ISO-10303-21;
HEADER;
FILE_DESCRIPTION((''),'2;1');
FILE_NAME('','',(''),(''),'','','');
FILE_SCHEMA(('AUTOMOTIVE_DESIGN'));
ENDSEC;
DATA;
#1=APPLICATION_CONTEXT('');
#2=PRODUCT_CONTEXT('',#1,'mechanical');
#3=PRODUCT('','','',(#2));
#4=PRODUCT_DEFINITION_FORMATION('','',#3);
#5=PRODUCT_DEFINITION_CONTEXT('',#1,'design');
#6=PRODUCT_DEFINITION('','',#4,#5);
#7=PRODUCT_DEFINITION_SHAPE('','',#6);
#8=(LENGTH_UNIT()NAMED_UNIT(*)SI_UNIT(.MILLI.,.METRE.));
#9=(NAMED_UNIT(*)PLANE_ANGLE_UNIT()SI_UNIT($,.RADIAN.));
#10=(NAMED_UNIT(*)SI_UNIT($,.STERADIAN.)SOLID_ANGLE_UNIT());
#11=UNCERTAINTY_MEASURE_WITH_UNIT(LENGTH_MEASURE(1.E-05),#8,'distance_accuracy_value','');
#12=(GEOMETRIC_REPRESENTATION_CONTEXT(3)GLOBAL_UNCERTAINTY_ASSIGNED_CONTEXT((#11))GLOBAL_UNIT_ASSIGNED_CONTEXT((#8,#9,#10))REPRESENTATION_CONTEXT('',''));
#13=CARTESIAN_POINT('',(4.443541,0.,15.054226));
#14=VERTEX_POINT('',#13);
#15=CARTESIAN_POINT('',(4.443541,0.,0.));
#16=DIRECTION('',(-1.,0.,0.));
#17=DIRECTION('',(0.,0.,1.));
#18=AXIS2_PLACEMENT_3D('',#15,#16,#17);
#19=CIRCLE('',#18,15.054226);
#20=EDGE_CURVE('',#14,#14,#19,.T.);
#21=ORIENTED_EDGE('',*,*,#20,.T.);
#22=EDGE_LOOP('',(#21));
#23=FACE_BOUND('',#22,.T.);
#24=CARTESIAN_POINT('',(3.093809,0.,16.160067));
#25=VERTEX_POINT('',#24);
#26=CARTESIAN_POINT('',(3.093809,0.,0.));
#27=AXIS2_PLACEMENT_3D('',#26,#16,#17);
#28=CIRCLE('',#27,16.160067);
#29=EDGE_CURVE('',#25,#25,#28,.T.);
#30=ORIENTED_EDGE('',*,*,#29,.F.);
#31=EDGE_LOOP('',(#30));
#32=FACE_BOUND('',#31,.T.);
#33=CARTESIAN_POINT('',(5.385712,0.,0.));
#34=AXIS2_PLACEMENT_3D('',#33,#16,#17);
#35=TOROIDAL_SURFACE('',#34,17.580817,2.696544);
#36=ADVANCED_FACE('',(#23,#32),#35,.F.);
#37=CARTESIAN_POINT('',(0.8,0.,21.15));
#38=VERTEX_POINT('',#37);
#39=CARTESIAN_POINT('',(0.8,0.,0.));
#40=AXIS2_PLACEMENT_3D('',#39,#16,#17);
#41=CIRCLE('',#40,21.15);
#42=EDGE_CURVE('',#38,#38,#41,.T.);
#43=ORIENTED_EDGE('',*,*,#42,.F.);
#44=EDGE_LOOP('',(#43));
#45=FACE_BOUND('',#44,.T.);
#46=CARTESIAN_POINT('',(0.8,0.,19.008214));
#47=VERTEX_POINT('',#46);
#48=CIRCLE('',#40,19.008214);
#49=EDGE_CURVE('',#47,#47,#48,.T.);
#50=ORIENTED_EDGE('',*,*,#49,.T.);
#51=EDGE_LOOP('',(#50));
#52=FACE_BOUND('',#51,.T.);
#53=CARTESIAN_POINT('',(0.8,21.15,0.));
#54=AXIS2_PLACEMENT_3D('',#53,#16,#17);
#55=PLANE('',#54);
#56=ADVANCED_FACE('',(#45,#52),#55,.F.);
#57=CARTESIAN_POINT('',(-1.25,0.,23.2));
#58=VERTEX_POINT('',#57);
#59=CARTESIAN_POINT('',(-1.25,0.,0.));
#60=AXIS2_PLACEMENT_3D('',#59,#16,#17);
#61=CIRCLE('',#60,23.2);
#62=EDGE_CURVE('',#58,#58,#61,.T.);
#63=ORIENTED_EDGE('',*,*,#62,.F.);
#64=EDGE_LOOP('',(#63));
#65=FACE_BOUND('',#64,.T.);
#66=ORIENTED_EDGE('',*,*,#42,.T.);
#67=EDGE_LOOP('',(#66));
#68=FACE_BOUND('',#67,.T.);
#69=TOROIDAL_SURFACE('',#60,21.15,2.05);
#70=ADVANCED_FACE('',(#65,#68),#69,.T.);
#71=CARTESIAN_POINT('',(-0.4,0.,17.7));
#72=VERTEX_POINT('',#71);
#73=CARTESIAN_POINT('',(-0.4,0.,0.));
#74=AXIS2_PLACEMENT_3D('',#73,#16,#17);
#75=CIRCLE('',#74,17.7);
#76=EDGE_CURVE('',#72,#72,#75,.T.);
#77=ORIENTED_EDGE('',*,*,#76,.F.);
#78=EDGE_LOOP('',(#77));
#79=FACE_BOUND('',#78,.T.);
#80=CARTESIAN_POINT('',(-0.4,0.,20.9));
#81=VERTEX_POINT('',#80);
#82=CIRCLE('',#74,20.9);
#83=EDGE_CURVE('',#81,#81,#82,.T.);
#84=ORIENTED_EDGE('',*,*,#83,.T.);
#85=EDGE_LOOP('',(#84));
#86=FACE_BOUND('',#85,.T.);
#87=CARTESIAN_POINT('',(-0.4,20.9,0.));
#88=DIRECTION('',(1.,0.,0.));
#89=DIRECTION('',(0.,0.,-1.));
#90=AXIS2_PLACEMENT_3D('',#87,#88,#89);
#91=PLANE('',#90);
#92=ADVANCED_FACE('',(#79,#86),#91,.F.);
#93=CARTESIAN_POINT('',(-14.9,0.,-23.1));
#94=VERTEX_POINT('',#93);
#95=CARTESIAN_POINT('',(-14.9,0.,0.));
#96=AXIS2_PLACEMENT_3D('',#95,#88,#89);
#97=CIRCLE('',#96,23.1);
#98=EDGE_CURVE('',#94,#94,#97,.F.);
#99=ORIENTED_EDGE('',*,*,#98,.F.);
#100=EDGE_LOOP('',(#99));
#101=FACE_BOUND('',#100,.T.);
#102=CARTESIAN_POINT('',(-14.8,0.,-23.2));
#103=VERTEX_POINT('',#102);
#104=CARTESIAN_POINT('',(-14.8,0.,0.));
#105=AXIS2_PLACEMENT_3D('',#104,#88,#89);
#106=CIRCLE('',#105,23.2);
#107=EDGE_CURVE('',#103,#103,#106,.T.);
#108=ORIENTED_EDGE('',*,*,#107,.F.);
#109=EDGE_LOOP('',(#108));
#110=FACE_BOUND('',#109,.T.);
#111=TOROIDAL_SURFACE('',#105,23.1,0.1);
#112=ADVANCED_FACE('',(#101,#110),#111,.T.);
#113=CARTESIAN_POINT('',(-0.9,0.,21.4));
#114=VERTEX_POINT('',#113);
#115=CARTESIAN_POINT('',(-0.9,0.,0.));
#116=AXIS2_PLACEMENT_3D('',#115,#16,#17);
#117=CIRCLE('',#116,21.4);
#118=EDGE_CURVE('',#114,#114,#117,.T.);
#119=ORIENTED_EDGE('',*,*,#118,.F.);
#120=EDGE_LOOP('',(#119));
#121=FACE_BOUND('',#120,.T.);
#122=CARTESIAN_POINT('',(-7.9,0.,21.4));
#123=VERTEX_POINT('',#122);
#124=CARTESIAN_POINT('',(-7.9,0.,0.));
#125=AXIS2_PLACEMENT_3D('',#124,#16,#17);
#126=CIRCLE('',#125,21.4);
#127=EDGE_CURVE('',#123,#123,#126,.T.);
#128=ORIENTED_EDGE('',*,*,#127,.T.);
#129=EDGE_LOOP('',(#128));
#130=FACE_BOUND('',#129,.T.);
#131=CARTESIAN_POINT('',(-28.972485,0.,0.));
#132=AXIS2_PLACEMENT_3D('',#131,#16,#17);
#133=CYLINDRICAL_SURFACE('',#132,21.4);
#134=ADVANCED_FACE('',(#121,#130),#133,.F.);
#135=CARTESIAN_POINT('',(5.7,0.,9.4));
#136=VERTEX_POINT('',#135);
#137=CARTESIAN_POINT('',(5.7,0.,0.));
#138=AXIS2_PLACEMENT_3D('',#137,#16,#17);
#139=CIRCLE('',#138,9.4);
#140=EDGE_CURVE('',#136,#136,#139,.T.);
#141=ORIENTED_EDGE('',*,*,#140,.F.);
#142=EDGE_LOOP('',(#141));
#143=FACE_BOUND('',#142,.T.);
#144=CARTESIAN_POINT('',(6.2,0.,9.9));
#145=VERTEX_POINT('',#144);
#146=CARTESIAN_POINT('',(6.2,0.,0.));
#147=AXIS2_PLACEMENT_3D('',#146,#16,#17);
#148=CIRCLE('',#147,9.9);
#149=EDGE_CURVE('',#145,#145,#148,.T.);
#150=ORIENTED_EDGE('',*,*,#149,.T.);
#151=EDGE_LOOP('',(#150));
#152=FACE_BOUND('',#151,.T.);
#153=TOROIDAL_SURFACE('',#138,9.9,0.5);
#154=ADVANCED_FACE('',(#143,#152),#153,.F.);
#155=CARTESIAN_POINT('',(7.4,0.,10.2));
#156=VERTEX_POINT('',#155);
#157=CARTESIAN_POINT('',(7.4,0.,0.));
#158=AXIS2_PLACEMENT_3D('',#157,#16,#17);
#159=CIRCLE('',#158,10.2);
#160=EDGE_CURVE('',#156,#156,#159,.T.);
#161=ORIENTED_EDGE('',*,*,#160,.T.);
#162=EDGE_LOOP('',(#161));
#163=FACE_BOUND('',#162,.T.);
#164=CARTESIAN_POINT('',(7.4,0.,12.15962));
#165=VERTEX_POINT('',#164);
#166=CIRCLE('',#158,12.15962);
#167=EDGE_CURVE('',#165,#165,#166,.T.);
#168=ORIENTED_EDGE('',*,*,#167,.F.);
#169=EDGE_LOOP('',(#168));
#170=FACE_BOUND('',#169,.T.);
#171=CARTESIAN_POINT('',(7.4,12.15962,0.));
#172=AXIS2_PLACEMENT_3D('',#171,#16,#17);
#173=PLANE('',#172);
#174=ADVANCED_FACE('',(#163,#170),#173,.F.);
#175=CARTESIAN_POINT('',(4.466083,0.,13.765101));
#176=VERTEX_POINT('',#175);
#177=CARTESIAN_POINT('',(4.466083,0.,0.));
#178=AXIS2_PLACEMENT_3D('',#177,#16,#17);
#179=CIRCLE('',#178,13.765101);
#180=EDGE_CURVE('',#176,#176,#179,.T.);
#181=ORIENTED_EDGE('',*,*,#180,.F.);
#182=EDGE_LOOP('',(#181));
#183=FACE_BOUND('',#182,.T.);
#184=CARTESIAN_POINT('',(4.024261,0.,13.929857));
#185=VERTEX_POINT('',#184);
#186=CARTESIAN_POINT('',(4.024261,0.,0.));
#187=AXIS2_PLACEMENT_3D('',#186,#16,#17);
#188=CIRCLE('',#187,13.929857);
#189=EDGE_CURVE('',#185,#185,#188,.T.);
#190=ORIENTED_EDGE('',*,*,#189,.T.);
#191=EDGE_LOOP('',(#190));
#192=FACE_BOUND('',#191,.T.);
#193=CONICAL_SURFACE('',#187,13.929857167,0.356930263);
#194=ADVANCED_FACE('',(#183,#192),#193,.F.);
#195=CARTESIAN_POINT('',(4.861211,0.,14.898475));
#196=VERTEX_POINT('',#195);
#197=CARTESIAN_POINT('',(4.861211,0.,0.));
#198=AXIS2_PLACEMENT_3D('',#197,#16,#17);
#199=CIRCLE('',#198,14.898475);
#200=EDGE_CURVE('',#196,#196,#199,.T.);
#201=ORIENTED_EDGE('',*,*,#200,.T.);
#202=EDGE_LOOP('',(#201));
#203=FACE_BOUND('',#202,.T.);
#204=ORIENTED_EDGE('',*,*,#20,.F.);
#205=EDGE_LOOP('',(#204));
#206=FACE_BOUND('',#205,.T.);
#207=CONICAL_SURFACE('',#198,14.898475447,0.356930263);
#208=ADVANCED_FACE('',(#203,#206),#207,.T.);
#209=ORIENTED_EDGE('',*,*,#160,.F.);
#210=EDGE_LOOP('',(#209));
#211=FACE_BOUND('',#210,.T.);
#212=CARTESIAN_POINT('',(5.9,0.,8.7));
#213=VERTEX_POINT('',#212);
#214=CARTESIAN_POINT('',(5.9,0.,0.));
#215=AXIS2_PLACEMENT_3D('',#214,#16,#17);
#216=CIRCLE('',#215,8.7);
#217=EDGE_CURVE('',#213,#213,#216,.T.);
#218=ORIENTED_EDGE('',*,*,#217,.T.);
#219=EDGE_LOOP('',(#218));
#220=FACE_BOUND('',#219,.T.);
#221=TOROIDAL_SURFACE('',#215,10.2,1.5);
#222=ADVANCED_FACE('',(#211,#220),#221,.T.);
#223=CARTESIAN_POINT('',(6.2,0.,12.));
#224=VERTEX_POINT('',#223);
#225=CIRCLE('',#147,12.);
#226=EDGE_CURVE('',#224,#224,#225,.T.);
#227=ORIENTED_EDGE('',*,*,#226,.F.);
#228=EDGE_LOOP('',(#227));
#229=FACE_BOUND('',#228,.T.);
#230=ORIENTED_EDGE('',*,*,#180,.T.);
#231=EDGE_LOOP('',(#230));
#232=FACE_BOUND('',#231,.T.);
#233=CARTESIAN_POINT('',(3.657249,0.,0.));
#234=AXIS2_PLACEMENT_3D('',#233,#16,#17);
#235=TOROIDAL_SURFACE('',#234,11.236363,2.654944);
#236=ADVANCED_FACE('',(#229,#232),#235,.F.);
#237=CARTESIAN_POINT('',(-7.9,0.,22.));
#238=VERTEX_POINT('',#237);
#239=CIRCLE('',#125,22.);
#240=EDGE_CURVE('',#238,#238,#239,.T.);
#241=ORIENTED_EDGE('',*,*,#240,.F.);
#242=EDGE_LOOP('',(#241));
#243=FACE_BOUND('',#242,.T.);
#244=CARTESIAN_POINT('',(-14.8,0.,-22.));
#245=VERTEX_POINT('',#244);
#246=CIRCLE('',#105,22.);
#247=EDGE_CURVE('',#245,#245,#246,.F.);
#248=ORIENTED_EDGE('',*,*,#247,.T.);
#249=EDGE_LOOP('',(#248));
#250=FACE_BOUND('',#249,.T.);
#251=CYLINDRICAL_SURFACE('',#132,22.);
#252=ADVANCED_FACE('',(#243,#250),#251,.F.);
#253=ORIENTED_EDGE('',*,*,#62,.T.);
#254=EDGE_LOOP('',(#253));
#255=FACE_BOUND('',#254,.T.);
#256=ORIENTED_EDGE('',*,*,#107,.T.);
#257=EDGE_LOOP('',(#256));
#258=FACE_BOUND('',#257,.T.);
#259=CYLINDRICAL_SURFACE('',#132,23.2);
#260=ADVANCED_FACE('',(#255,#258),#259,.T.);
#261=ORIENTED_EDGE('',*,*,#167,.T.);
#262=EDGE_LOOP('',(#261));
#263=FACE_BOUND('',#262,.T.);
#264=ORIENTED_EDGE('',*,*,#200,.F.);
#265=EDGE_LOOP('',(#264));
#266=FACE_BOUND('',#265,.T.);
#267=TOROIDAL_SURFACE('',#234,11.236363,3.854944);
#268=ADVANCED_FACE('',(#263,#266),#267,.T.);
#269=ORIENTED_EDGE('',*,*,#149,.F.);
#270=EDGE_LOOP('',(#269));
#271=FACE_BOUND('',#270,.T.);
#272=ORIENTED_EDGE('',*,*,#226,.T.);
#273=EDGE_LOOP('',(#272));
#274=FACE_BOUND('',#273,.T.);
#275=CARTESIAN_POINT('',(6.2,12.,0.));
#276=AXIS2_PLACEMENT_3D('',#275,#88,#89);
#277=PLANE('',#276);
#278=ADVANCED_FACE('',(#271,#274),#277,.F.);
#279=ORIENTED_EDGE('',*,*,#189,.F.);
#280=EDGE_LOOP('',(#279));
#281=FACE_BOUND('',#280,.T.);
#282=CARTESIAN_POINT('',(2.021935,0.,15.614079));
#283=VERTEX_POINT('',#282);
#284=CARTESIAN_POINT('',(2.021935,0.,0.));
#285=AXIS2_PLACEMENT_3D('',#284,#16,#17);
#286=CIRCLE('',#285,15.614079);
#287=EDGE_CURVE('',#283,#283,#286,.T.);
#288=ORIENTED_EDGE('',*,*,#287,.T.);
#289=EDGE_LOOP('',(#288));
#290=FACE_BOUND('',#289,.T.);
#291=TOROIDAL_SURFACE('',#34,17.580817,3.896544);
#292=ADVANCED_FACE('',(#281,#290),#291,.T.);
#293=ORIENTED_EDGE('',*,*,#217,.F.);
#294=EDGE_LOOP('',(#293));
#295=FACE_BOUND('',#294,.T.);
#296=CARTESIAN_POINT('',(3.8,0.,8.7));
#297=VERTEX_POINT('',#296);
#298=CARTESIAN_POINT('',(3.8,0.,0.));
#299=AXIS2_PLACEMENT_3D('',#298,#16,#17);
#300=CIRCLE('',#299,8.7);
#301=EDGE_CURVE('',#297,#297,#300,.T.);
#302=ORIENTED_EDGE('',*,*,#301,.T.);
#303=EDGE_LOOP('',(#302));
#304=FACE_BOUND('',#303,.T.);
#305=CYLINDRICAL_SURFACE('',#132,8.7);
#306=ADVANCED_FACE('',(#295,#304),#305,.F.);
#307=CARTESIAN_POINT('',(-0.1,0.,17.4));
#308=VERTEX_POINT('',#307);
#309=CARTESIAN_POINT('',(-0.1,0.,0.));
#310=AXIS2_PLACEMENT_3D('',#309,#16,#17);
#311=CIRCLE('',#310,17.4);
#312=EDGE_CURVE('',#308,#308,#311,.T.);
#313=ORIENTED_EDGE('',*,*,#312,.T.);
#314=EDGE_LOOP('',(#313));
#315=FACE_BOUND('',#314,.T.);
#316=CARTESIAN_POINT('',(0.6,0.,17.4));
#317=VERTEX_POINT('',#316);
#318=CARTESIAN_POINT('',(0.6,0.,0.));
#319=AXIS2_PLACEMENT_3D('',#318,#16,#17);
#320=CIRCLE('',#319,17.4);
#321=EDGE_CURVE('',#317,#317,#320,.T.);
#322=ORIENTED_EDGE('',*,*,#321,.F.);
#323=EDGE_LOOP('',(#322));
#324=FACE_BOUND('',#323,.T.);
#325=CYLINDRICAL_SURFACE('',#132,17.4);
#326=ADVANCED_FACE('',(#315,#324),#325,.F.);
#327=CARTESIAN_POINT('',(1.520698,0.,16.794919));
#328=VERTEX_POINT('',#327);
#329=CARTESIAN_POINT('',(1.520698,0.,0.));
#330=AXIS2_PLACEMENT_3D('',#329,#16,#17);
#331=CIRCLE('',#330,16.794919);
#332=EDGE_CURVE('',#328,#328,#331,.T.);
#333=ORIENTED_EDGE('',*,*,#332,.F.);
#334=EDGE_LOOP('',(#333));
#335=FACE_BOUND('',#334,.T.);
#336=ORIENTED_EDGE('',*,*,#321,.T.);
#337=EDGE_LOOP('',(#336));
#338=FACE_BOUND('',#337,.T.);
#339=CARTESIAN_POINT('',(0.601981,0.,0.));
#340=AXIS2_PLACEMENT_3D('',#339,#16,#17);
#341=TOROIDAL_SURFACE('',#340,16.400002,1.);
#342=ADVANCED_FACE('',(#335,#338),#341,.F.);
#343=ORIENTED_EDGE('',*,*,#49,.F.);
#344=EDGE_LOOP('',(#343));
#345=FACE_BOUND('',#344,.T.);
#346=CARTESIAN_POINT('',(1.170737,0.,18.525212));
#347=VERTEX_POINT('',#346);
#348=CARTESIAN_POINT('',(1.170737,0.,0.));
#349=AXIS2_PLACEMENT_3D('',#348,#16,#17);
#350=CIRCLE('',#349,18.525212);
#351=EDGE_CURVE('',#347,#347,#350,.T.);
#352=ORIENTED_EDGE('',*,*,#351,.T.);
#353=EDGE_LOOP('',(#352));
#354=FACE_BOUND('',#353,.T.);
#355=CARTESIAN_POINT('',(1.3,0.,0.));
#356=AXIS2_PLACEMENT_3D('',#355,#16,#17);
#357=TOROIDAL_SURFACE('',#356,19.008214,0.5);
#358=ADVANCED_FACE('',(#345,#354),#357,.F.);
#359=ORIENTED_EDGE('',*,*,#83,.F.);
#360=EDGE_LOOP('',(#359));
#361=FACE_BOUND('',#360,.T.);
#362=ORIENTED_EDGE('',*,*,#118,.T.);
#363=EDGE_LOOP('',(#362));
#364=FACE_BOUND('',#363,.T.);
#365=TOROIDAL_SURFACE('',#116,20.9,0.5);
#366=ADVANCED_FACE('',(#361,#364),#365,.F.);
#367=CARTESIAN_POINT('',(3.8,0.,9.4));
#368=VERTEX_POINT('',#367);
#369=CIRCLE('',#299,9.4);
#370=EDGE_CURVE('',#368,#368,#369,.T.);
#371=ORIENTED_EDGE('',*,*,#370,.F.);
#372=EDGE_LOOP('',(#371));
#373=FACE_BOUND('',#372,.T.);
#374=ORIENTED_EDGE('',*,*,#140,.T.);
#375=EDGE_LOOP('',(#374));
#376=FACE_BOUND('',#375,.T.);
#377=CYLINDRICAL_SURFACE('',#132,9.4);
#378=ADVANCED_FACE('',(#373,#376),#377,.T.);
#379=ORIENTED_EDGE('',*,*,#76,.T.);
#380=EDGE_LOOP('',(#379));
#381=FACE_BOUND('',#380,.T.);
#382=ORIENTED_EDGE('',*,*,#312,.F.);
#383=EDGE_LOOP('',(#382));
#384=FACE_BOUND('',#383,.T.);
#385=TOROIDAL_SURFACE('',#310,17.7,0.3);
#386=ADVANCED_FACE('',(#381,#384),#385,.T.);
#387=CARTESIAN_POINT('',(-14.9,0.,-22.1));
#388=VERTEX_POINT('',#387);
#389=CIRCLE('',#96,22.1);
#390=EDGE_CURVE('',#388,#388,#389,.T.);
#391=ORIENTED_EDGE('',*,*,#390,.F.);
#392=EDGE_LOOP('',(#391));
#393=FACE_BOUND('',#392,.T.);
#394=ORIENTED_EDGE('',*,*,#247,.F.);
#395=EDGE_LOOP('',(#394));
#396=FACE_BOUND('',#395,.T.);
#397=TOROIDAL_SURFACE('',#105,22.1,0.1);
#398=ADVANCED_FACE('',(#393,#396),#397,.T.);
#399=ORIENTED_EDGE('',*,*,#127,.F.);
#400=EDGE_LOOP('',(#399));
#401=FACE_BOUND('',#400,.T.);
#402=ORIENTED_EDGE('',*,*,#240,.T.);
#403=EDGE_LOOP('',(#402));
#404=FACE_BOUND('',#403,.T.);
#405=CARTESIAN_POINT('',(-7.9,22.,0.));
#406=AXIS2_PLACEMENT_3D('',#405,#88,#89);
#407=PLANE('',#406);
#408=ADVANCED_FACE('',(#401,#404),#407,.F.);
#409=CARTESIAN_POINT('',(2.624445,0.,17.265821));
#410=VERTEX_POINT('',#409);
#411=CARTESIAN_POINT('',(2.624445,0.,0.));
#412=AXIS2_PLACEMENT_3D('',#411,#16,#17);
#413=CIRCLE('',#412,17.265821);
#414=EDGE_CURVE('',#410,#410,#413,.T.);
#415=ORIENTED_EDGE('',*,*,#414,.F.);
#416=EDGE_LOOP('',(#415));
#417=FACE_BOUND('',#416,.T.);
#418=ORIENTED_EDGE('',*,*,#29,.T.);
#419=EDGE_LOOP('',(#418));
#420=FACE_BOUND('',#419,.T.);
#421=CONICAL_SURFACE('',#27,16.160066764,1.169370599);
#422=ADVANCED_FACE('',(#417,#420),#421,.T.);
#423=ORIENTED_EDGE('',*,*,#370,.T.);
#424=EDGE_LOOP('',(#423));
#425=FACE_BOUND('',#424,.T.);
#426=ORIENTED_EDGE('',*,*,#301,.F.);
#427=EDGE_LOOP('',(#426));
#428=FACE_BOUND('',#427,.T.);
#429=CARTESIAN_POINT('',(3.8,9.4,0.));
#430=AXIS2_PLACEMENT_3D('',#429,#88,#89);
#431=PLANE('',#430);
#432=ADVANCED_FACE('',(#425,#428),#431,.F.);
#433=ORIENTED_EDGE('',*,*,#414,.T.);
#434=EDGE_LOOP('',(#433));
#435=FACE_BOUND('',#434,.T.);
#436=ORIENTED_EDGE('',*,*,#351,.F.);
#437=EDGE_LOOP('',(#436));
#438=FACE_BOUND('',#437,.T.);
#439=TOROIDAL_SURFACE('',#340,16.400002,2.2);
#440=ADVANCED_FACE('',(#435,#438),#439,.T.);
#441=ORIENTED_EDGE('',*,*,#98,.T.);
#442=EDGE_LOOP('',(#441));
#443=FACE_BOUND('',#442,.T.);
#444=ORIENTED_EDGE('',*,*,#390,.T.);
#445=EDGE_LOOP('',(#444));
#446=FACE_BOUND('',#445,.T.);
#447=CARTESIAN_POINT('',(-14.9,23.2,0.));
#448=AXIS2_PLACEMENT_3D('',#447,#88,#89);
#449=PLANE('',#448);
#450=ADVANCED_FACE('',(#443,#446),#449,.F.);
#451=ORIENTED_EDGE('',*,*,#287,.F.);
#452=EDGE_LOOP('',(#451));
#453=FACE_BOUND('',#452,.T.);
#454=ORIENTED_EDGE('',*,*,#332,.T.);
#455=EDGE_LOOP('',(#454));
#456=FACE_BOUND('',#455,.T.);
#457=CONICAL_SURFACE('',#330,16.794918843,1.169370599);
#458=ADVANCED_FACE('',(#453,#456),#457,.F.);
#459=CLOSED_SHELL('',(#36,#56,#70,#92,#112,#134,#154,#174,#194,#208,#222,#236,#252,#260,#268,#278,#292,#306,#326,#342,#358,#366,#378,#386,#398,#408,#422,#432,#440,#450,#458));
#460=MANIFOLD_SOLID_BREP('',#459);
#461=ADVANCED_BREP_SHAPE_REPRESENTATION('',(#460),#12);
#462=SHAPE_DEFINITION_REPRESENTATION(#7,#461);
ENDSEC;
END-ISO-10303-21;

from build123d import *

# Parameters (mm, degrees)
FILLET_2_R = 0.1


with BuildPart() as part:
    # 草图1 → 旋转1 (revolve)
    with BuildSketch(Plane.XY, mode=Mode.PRIVATE) as revolve_1_sk:
        with BuildLine():
            Line((-14.9, 22), (-7.9, 22))
            Line((-7.9, 22), (-7.9, 21.4))
            Line((-7.9, 21.4), (-0.9, 21.4))
            ThreePointArc((-0.9, 21.4), (-0.546446609, 21.253553391), (-0.4, 20.9))
            Line((-0.4, 20.9), (-0.4, 17.7))
            ThreePointArc((-0.4, 17.7), (-0.312132034, 17.487867966), (-0.1, 17.4))
            Line((-0.1, 17.4), (0.6, 17.4))
            ThreePointArc((0.6, 17.4), (1.151191515, 17.235686238), (1.520698216, 16.794918843))
            Line((1.520698216, 16.794918843), (2.021934946, 15.614079106))
            ThreePointArc((2.021934946, 15.614079106), (2.877506402, 14.598878084), (4.024261235, 13.929857167))
            Line((4.024261235, 13.929857167), (4.466083411, 13.765100692))
            ThreePointArc((4.466083411, 13.765100692), (5.551233185, 13.096887028), (6.2, 12))
            Line((6.2, 12), (6.2, 9.9))
            ThreePointArc((6.2, 9.9), (6.053553391, 9.546446609), (5.7, 9.4))
            Line((5.7, 9.4), (3.8, 9.4))
            Line((3.8, 9.4), (3.8, 8.7))
            Line((3.8, 8.7), (5.9, 8.7))
            ThreePointArc((5.9, 8.7), (6.960660172, 9.139339828), (7.4, 10.2))
            Line((7.4, 10.2), (7.4, 12.159619657))
            ThreePointArc((7.4, 12.159619657), (6.484407577, 13.857005044), (4.861211336, 14.898475447))
            Line((4.861211336, 14.898475447), (4.44354078, 15.054225729))
            ThreePointArc((4.44354078, 15.054225729), (3.676756338, 15.494955061), (3.093809388, 16.160066764))
            Line((3.093809388, 16.160066764), (2.624444612, 17.265820884))
            ThreePointArc((2.624444612, 17.265820884), (2.042509235, 18.062794628), (1.170737289, 18.525211763))
            ThreePointArc((1.170737289, 18.525211763), (0.903369596, 18.703772991), (0.8, 19.00821399))
            Line((0.8, 19.00821399), (0.8, 21.15))
            ThreePointArc((0.8, 21.15), (0.199568901, 22.599568901), (-1.25, 23.2))
            Line((-1.25, 23.2), (-14.9, 23.2))
            Line((-14.9, 23.2), (-14.9, 22))
        make_face()
    revolve(revolve_1_sk.sketch.rotate(Axis((-28.972485425, 0, 0), (1, 0, 0)), 90), axis=Axis((-28.972485425, 0, 0), (1, 0, 0)))

    # 圆角2
    fillet_2_edges = [part.edges().sort_by_distance(p)[0] for p in [
        (-14.9, 0, -23.2),
        (-14.9, 0, -22),
    ]]
    fillet(fillet_2_edges, radius=FILLET_2_R)


solid = part.part
